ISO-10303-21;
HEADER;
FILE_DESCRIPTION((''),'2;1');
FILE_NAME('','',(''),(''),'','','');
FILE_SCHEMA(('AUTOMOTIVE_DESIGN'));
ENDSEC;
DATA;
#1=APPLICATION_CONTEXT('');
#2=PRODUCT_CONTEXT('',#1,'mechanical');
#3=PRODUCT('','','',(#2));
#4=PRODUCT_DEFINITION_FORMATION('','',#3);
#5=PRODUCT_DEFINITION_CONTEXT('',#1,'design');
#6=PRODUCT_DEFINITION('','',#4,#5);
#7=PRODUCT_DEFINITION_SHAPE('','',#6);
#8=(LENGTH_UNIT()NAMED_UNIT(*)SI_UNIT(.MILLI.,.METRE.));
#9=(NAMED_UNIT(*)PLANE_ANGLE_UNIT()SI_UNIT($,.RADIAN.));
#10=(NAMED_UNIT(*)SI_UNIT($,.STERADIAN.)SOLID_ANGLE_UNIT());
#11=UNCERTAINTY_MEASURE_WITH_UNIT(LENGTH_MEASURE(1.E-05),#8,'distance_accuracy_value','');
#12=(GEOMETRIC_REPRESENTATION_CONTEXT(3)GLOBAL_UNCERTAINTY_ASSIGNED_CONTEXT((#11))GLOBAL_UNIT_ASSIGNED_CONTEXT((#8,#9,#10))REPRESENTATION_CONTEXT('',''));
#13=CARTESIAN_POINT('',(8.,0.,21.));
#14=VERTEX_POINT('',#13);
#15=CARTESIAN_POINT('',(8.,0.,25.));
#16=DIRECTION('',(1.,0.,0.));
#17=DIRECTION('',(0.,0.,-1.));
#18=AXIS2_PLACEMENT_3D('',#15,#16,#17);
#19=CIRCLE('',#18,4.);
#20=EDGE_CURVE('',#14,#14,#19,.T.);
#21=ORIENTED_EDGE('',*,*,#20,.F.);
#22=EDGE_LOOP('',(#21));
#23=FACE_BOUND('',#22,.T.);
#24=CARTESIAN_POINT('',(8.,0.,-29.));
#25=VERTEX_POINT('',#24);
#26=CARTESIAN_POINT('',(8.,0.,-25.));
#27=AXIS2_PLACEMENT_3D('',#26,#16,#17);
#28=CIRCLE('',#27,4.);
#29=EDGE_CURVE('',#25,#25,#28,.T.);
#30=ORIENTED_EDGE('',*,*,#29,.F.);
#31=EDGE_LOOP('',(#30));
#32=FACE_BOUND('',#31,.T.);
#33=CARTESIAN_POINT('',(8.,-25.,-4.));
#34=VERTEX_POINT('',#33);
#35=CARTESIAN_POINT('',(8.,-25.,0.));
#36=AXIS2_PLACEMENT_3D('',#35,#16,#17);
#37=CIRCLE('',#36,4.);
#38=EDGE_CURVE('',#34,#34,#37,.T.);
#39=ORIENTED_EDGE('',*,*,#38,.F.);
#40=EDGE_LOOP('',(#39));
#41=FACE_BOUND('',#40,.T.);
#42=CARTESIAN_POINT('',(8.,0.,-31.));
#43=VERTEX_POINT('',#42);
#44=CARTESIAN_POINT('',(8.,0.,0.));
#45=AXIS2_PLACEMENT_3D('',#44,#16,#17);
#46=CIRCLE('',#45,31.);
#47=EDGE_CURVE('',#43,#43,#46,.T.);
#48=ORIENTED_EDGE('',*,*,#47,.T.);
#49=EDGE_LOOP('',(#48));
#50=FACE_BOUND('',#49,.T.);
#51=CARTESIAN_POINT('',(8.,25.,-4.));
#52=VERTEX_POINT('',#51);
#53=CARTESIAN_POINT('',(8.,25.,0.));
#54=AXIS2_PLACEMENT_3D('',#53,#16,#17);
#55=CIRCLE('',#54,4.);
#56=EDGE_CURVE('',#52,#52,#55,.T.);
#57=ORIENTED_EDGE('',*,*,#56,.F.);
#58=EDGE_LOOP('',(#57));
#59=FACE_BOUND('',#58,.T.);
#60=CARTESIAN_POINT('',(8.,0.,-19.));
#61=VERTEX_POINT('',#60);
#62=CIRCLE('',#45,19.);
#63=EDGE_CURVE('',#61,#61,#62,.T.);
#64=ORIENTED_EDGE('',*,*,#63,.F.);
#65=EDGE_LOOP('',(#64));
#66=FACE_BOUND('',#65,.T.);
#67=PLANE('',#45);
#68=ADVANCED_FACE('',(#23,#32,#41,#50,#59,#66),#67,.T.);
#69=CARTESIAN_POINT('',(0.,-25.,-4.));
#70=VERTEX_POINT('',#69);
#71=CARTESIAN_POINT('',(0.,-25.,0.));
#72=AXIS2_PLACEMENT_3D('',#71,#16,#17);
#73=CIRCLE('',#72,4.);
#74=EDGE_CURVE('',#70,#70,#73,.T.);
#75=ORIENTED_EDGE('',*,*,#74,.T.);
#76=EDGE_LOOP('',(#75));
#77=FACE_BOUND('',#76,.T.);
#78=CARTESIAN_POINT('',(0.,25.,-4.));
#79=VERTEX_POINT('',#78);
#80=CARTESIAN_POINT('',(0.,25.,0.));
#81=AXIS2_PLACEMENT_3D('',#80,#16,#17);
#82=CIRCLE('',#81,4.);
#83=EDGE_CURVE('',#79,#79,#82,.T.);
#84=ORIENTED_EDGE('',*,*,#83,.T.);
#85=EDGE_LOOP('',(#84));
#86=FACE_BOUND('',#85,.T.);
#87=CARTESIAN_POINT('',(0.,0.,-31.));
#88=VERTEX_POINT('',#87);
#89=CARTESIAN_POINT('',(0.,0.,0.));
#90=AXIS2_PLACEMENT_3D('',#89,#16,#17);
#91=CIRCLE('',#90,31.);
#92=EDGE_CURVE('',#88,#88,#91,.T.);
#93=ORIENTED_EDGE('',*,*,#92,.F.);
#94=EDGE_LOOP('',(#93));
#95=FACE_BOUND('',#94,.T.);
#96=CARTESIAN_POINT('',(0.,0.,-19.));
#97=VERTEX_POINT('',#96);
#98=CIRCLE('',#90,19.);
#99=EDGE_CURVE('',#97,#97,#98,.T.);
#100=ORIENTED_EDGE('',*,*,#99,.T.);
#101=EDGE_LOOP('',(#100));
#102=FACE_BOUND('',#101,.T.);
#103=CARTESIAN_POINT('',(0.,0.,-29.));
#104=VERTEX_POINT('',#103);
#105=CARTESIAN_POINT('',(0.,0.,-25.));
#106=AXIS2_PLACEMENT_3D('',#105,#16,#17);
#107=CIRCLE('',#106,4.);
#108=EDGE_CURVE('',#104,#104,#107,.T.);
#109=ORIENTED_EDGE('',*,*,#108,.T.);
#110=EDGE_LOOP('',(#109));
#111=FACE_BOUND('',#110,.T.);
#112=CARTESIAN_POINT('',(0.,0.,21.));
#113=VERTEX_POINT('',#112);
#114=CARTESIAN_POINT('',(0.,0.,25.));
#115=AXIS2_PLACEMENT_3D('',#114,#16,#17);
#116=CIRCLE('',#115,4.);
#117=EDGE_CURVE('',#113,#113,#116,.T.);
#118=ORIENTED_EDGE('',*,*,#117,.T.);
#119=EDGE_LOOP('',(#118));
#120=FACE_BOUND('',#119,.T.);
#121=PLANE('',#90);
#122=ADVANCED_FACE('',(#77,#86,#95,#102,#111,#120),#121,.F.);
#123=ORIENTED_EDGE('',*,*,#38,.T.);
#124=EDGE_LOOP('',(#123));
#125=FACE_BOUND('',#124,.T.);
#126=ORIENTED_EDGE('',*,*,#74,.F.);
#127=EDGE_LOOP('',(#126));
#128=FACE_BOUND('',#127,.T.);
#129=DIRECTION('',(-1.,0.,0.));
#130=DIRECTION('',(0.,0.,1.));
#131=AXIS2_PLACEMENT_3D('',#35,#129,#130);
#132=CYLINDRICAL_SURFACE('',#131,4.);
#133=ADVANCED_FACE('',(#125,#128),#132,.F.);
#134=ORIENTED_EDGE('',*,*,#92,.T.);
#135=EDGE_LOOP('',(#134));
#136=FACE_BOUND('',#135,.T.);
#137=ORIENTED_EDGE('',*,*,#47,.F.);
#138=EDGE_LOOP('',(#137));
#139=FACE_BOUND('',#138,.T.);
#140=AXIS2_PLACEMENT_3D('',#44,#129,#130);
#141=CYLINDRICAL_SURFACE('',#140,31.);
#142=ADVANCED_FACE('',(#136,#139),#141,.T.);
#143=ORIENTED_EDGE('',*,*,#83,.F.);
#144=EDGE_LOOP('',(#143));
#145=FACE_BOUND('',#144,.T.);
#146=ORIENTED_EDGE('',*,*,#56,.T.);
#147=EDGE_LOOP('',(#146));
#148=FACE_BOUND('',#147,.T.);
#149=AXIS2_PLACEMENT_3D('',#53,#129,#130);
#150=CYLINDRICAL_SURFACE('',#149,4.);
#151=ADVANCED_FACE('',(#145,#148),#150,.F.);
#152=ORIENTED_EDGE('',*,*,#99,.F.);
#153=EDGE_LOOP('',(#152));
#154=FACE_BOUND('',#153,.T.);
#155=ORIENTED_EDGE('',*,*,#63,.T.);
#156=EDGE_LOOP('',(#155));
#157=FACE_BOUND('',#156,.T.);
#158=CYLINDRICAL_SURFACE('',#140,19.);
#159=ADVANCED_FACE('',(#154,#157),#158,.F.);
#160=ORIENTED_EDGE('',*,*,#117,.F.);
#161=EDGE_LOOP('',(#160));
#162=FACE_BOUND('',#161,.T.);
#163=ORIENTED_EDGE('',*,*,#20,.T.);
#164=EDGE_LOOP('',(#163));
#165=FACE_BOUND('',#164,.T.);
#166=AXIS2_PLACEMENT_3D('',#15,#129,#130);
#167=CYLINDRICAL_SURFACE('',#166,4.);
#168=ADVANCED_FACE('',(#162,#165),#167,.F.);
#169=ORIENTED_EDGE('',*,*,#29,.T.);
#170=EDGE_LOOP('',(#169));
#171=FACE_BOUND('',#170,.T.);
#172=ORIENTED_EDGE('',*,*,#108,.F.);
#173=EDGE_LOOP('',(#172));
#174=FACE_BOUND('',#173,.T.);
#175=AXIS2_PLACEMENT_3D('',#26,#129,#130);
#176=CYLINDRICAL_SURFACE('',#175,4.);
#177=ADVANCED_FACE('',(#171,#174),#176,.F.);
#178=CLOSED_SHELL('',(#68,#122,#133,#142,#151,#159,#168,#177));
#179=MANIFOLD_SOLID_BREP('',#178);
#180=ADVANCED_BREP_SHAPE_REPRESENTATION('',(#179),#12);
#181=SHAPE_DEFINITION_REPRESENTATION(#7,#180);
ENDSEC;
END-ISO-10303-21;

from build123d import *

# Parameters (mm, degrees)
ESQUISSE1_R        = 31
ESQUISSE1_R_2      = 19
ESQUISSE1_R_3      = 4
BOSS_EXTRU_1_DEPTH = 8


with BuildPart() as part:
    # Esquisse1 → Boss.-Extru.1 (new body)
    with BuildSketch(Plane(origin=(0, 0, 0), x_dir=(0, 0, -1), z_dir=(1, 0, 0))):
        Circle(ESQUISSE1_R)
        Circle(ESQUISSE1_R_2, mode=Mode.SUBTRACT)
        with Locations((0, 25)):
            Circle(ESQUISSE1_R_3, mode=Mode.SUBTRACT)
        with Locations((25, 0)):
            Circle(ESQUISSE1_R_3, mode=Mode.SUBTRACT)
        with Locations((0, -25)):
            Circle(ESQUISSE1_R_3, mode=Mode.SUBTRACT)
        with Locations((-25, 0)):
            Circle(ESQUISSE1_R_3, mode=Mode.SUBTRACT)
    extrude(amount=BOSS_EXTRU_1_DEPTH)


solid = part.part
